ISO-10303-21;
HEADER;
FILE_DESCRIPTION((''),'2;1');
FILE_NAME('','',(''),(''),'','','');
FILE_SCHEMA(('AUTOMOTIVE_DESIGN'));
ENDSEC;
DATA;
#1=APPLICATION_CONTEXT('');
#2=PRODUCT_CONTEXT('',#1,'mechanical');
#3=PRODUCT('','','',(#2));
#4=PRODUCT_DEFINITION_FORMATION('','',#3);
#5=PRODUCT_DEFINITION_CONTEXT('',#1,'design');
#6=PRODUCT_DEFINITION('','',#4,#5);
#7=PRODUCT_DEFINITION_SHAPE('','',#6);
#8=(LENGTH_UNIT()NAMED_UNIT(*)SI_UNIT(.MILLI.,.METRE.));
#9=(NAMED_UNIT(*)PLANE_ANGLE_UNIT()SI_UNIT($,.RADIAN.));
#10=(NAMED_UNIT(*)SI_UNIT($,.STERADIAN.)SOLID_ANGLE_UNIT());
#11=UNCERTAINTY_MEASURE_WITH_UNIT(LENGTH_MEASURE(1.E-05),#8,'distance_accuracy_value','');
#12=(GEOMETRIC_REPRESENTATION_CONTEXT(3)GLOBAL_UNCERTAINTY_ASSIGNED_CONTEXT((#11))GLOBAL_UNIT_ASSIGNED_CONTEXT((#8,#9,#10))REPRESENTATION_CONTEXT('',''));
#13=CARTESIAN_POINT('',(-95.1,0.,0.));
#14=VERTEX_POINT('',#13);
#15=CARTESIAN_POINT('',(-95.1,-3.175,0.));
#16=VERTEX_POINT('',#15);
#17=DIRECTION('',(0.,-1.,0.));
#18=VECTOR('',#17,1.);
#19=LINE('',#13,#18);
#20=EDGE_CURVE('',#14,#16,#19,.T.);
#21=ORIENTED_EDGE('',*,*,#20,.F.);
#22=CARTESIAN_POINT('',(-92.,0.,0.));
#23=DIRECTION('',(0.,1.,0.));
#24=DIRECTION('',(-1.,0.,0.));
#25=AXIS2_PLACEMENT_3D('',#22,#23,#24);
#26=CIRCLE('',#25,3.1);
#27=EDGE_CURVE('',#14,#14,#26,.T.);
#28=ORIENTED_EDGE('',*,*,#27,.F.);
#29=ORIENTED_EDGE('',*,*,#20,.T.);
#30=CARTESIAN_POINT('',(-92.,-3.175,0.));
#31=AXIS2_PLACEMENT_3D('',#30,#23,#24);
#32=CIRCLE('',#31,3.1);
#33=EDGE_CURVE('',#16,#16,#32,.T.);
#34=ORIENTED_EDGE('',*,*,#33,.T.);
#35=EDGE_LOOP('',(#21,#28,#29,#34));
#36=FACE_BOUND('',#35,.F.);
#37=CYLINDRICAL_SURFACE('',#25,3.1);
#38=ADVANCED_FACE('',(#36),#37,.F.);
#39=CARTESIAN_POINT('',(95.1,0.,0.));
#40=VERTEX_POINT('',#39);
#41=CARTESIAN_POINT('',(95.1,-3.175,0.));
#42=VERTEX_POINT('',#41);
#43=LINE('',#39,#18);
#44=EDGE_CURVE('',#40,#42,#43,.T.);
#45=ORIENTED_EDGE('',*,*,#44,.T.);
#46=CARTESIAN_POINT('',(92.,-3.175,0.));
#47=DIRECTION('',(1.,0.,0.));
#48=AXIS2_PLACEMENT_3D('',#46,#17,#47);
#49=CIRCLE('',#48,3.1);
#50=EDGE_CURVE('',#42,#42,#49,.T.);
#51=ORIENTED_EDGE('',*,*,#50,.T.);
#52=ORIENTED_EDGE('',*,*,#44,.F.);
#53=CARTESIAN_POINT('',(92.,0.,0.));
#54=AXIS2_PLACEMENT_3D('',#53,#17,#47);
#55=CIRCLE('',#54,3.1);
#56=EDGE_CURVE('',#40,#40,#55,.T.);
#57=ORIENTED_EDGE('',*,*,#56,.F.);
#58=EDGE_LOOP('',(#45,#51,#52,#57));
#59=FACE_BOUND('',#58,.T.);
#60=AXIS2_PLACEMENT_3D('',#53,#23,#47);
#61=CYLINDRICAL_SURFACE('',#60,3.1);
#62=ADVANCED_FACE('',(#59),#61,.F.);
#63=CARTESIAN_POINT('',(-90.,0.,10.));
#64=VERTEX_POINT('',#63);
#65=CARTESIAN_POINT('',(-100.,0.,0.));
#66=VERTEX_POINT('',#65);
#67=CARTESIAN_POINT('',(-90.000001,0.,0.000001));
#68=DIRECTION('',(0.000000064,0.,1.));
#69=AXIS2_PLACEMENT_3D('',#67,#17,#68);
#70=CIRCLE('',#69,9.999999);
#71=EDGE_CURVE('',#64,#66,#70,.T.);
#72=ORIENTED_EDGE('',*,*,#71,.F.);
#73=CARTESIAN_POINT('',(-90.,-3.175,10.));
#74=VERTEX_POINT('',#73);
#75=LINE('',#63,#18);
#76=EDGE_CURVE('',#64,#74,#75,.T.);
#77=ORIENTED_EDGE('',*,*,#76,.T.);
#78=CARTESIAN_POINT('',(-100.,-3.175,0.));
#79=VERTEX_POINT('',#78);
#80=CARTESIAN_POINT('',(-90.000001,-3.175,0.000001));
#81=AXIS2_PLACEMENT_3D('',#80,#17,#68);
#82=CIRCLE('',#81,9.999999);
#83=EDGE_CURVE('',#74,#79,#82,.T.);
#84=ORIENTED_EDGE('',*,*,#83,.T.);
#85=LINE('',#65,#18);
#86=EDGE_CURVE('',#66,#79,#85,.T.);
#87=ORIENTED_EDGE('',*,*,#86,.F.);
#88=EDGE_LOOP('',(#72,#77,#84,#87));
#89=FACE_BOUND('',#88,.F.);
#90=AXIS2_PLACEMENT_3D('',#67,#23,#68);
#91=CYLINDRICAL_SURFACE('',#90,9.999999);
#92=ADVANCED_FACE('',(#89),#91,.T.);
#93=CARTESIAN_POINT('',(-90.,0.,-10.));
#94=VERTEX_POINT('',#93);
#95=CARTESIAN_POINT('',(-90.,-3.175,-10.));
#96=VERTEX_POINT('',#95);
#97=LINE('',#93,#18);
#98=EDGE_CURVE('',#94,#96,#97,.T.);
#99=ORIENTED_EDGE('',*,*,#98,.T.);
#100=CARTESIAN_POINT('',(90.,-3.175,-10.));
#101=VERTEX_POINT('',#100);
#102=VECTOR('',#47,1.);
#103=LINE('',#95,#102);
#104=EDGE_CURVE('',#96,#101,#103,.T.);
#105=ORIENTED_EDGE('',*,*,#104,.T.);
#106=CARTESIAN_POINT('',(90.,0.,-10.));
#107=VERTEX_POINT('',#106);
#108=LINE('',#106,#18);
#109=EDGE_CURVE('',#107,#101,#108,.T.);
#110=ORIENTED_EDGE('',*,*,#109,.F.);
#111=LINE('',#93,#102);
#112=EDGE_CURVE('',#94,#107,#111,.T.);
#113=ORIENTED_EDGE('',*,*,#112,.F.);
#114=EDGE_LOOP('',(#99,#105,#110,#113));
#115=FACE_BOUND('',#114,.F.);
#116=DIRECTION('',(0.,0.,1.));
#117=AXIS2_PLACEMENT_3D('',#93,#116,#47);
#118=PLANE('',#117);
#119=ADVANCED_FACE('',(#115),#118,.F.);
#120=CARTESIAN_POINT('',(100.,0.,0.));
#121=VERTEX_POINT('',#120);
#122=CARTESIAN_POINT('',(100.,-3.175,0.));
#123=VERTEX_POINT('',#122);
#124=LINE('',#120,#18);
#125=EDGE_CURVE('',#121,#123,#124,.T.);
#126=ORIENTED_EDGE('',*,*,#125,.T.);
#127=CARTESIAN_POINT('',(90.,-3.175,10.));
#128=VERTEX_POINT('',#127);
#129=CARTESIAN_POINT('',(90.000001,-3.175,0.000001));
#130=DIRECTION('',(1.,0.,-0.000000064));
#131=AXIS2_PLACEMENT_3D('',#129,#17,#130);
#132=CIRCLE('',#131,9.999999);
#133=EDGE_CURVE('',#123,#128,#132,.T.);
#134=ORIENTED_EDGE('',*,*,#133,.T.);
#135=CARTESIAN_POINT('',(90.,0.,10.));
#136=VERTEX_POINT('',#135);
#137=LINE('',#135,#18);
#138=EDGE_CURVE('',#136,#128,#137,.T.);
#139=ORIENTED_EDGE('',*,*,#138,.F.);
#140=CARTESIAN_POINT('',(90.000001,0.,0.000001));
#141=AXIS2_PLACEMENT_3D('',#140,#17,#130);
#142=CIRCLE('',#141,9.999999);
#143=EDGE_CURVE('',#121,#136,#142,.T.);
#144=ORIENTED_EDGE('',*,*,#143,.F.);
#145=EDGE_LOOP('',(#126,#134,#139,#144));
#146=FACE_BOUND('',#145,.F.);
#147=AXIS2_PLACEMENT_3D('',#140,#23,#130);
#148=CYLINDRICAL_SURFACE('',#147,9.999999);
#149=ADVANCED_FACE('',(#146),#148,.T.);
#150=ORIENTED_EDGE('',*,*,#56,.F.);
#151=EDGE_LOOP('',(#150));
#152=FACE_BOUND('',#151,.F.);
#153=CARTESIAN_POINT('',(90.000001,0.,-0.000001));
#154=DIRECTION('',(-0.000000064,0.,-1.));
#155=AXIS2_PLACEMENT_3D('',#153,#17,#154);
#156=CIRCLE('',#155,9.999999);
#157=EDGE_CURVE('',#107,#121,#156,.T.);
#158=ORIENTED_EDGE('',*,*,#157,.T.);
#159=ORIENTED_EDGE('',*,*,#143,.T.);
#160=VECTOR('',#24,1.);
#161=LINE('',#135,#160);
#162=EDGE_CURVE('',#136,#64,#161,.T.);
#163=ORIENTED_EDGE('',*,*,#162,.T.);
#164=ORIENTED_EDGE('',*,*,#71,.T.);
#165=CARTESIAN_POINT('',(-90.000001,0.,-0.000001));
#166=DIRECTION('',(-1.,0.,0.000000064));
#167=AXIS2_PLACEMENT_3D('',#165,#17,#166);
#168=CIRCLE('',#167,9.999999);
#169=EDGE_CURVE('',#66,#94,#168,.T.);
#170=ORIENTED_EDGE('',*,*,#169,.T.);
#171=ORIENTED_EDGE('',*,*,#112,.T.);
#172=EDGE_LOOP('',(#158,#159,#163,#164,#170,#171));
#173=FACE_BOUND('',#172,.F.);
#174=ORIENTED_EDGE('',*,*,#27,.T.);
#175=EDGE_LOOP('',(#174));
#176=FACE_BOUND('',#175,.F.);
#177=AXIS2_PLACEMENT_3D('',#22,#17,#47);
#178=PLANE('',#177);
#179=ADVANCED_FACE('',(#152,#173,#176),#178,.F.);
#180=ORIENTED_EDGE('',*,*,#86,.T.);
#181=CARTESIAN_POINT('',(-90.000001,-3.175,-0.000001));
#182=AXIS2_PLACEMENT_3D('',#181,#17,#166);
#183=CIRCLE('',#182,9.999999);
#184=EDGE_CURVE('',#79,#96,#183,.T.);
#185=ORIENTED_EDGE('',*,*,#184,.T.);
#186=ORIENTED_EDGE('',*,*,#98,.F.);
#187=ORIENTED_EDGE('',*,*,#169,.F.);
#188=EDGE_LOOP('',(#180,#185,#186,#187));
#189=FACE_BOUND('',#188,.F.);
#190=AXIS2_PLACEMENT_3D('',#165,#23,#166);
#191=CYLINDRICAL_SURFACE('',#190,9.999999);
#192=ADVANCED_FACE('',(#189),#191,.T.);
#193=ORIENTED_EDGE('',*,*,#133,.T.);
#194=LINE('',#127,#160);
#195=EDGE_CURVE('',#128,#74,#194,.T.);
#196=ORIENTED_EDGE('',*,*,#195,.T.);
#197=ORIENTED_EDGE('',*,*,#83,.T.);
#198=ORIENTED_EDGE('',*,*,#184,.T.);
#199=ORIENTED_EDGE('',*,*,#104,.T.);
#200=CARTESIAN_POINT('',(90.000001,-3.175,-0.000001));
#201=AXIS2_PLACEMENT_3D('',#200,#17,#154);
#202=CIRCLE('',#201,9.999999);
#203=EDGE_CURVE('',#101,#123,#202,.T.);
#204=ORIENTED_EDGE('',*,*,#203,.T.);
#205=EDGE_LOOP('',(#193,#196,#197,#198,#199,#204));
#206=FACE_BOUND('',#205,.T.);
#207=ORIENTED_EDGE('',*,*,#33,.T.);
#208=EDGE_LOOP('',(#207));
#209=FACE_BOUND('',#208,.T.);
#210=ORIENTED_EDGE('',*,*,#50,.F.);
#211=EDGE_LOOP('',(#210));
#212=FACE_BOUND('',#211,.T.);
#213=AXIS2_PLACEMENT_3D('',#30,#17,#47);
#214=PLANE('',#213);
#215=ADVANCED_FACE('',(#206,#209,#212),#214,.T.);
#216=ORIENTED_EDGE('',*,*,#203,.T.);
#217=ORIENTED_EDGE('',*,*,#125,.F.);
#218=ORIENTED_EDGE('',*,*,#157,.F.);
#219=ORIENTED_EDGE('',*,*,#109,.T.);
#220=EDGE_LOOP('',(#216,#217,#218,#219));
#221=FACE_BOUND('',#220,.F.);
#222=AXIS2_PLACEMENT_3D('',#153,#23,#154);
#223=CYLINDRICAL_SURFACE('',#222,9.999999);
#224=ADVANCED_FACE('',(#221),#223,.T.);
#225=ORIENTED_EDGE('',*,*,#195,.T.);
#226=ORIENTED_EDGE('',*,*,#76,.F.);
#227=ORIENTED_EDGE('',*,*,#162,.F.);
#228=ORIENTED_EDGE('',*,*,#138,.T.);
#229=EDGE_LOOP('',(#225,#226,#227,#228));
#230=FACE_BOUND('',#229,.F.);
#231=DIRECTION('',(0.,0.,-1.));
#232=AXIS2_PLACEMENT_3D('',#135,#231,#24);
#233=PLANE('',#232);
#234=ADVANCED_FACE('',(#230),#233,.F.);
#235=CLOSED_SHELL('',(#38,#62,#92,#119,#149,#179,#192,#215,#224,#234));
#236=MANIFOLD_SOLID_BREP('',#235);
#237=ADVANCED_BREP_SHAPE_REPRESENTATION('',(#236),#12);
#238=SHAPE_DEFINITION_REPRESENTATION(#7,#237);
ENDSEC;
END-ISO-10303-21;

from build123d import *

# Parameters (mm, degrees)
F0_R     = 3.1
F1_DEPTH = 3.175


with BuildPart() as f1:
    # F0 (on Front) → F1 (new body)
    with BuildSketch(Plane.XZ):
        with BuildLine():
            ThreePointArc((-88.9, 0), (-92, 3.1), (-95.1, 0))
            ThreePointArc((-95.1, 0), (-92, -3.1), (-88.9, 0))
        make_face()
        with Locations((92, 0)):
            Circle(F0_R)
        with BuildLine():
            ThreePointArc((100, 0), (97.071068, 7.071068), (90, 10))
            Line((90, 10), (-90, 10))
            ThreePointArc((-90, 10), (-97.071068, 7.071068), (-100, 0))
            ThreePointArc((-100, 0), (-97.071068, -7.071068), (-90, -10))
            Line((-90, -10), (90, -10))
            ThreePointArc((90, -10), (97.071068, -7.071068), (100, 0))
        make_face()
        with BuildLine():
            ThreePointArc((-88.9, 0), (-92, -3.1), (-95.1, 0))
            ThreePointArc((-95.1, 0), (-92, 3.1), (-88.9, 0))
        make_face(mode=Mode.SUBTRACT)
        with Locations((92, 0)):
            Circle(F0_R, mode=Mode.SUBTRACT)
    extrude(amount=F1_DEPTH)


solid = f1.part
